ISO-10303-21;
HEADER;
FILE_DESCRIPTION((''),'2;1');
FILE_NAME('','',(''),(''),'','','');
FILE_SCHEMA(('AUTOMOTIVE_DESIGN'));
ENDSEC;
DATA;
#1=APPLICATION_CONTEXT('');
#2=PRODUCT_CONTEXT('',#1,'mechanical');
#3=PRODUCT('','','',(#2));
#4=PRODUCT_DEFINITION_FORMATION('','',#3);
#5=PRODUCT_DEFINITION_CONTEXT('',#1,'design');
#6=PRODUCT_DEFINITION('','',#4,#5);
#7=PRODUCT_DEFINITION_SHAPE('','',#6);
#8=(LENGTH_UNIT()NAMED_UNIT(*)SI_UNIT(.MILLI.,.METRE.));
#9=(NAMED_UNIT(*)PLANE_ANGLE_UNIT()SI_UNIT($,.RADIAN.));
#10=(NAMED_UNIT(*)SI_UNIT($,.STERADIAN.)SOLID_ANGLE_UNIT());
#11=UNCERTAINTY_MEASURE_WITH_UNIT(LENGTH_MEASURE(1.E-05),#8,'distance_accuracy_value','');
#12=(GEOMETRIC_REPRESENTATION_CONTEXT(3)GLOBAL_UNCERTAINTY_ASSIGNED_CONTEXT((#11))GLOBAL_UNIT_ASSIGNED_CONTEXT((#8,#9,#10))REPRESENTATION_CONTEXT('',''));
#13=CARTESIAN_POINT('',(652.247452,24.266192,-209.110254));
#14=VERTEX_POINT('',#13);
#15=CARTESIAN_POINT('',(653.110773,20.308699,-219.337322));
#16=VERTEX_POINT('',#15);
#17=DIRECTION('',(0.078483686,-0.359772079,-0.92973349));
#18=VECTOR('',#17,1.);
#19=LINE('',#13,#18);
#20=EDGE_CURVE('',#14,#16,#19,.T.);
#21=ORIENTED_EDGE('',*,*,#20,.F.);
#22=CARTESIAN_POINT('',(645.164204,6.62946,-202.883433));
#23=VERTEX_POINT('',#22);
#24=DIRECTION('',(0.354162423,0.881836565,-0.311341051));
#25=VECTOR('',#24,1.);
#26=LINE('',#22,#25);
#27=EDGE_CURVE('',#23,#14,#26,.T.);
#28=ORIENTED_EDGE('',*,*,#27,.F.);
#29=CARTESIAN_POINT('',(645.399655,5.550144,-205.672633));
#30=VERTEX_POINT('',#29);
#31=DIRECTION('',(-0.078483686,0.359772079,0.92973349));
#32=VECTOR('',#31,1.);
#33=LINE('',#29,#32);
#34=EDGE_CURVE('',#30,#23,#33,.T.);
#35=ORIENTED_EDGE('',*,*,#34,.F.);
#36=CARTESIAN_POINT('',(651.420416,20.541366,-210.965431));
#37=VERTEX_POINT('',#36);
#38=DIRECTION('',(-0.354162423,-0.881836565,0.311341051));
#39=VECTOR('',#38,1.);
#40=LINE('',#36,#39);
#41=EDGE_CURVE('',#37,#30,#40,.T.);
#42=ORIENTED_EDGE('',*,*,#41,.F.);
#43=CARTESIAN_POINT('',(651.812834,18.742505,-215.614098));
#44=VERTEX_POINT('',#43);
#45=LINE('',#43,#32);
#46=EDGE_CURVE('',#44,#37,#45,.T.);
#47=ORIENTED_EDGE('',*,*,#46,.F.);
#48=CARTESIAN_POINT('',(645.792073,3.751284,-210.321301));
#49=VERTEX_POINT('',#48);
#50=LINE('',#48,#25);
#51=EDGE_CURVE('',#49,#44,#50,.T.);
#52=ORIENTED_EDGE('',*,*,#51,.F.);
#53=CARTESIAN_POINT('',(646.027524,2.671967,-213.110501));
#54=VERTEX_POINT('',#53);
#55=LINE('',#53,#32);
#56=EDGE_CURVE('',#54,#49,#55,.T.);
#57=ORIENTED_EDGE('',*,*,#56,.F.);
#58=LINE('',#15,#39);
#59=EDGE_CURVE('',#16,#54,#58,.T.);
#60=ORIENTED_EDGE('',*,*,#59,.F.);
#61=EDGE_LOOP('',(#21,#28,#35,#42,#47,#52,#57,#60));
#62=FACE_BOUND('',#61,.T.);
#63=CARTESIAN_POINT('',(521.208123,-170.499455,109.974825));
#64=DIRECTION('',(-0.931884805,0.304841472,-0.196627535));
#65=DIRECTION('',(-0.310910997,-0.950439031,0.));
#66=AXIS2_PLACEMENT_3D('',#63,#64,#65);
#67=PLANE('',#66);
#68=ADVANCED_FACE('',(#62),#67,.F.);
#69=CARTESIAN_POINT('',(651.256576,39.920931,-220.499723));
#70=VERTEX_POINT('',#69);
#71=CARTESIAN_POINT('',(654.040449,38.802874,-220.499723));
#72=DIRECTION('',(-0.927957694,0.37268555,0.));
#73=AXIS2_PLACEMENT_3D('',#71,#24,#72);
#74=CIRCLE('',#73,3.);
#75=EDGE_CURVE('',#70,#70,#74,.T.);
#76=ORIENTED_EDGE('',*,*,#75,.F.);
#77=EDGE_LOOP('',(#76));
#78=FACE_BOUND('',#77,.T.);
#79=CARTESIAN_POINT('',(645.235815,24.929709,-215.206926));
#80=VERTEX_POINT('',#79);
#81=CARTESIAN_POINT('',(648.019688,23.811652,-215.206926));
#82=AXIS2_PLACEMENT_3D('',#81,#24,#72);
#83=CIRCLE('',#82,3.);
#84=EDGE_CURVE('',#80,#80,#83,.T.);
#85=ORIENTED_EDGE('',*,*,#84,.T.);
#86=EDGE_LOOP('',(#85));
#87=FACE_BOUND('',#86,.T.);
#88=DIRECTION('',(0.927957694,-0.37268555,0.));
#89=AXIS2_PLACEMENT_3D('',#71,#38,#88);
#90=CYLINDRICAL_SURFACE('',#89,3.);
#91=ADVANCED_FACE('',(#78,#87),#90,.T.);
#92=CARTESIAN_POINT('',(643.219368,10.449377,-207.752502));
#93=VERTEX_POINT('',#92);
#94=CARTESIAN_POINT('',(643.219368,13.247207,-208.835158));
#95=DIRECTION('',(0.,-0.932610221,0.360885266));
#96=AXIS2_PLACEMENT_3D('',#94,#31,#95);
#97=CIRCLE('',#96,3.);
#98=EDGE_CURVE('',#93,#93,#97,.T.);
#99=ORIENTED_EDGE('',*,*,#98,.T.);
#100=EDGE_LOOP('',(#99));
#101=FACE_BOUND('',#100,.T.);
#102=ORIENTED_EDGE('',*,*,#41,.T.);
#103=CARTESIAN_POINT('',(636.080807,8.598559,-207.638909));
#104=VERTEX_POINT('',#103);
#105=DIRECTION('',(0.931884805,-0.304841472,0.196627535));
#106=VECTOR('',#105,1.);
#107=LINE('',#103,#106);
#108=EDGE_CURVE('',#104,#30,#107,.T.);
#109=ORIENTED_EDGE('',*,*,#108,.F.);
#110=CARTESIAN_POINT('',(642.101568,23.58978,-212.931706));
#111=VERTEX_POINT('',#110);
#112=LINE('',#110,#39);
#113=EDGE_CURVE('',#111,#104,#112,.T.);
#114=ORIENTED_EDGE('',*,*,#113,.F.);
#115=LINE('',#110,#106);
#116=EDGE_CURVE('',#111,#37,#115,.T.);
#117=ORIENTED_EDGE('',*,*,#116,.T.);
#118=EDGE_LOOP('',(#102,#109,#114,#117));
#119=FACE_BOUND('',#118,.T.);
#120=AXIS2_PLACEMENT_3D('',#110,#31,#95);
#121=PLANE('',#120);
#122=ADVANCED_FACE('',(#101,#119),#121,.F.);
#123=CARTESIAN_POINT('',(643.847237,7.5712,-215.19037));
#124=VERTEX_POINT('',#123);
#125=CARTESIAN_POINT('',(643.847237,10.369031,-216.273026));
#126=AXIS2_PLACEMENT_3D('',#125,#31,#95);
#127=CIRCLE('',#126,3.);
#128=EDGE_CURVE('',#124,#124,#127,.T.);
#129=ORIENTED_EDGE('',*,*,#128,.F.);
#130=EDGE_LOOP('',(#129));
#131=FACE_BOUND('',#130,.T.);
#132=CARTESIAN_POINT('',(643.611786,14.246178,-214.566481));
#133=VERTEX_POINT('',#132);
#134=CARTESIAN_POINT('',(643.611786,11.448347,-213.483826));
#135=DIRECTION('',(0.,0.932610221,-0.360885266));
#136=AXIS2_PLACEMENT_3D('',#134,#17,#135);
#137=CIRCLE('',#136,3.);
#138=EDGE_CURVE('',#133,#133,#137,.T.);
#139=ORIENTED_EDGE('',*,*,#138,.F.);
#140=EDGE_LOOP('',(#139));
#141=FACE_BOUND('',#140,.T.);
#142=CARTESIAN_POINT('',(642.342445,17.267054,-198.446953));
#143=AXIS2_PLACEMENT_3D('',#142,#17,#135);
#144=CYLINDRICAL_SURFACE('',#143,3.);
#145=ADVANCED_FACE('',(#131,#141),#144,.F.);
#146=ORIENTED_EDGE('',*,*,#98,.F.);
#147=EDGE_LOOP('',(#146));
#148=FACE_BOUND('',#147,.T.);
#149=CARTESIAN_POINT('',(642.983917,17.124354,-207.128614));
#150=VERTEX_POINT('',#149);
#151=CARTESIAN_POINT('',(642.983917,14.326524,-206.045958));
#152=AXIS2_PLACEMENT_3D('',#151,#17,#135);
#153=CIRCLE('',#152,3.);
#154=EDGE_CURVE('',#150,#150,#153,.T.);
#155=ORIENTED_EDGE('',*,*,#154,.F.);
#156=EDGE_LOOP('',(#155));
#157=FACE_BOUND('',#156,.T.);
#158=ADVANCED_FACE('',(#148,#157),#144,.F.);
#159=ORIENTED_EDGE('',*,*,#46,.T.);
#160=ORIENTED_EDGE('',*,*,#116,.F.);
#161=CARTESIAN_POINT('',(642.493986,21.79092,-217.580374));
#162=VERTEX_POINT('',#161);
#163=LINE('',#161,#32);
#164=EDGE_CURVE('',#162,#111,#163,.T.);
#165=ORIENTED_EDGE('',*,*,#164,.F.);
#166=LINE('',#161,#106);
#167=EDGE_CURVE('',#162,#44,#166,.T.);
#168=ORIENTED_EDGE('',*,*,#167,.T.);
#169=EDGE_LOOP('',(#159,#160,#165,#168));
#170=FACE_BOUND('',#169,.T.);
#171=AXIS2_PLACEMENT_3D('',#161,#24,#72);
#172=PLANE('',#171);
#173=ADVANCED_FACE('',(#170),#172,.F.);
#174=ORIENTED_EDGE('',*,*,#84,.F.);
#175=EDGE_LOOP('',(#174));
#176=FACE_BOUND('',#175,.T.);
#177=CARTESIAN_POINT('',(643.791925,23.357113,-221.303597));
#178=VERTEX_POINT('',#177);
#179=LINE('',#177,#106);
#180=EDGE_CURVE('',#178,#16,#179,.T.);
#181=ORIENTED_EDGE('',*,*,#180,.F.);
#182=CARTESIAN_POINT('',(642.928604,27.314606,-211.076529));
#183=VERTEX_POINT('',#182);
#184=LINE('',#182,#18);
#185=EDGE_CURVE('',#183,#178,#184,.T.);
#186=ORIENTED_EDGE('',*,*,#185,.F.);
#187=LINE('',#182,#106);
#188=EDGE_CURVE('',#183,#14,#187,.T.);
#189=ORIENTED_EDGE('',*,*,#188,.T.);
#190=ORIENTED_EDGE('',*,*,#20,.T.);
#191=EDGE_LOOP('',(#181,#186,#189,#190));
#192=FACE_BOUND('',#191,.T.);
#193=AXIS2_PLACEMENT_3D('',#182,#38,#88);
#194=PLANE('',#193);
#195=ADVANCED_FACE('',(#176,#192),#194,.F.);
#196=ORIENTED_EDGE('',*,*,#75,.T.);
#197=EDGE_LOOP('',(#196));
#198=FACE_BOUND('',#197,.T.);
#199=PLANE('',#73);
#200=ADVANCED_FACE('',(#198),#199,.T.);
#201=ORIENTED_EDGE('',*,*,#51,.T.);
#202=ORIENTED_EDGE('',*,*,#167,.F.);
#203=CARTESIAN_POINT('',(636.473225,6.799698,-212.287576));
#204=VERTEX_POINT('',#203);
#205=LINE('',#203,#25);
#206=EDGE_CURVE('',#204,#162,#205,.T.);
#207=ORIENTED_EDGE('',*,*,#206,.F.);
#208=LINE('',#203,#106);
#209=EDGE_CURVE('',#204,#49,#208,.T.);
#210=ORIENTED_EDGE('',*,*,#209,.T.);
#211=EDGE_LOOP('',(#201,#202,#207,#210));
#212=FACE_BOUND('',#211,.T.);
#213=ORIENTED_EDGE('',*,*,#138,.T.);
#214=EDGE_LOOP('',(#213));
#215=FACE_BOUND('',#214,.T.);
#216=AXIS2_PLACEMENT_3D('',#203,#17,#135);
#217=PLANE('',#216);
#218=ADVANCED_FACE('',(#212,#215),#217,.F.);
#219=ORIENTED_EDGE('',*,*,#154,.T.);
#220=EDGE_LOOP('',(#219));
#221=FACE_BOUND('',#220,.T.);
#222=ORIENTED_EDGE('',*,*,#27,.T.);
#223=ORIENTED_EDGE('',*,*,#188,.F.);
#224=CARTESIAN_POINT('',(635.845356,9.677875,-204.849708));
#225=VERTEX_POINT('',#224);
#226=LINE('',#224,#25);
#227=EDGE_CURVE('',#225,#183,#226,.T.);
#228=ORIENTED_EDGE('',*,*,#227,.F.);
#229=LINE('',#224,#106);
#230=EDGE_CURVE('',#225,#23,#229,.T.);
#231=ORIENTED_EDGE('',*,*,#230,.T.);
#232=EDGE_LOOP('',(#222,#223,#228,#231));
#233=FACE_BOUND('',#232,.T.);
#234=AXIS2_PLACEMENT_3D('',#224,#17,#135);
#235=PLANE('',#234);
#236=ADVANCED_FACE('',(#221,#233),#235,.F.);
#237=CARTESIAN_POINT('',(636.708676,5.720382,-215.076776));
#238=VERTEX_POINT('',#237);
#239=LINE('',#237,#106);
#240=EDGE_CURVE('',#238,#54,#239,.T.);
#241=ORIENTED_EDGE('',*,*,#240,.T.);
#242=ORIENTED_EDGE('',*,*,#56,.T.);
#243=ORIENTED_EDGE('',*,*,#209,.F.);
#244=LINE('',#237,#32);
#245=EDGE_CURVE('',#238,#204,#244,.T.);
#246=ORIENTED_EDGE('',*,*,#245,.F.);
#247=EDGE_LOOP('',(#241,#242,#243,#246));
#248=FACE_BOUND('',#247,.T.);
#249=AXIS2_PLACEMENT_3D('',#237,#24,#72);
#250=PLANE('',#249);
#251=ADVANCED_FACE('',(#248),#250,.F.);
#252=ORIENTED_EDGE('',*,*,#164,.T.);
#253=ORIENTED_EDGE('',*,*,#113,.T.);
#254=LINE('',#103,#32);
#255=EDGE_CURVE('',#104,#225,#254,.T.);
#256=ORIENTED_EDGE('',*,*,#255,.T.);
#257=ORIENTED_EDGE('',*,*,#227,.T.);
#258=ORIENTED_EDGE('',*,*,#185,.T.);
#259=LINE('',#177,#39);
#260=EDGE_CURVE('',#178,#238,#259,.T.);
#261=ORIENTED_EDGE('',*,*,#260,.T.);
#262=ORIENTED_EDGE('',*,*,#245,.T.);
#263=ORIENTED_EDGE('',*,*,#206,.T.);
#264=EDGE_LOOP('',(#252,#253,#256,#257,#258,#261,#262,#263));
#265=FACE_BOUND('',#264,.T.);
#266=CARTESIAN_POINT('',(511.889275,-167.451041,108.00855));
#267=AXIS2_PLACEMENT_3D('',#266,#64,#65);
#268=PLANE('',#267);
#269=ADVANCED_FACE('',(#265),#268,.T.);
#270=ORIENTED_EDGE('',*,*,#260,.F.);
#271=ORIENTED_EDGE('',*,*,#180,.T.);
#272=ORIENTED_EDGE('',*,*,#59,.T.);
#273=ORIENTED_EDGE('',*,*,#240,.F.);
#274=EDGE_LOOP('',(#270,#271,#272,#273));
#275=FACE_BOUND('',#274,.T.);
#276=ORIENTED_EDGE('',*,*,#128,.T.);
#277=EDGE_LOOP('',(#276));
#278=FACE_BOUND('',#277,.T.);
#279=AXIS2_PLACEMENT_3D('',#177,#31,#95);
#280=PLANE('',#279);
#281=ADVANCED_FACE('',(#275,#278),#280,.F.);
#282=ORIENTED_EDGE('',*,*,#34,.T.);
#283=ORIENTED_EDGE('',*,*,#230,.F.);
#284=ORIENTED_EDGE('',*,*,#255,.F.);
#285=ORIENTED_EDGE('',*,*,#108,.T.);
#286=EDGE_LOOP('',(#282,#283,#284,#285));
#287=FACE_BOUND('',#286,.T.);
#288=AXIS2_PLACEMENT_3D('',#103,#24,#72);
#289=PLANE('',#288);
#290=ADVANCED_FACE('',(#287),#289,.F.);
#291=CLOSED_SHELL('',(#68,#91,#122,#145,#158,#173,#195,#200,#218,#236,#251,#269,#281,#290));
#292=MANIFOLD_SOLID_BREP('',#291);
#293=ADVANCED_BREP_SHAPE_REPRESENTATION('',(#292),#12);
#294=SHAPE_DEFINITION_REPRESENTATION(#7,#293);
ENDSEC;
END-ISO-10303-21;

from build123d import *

# Parameters (mm, degrees)
BOSS_EXTRUDE1_DEPTH     = 10
SKETCH3_R               = 3
CUT_EXTRUDE1_DEPTH      = 17.173315528
CUT_EXTRUDE1_DEPTH_BACK = 12.173315528
SKETCH4_R               = 3
BOSS_EXTRUDE2_DEPTH     = 17


with BuildPart() as part:
    # Sketch2 → Boss-Extrude1 (new body)
    with BuildSketch(Plane(origin=(707.562217201, 137.847000427, -295.175758868), x_dir=(0.354162423, 0.881836565, -0.311341051), z_dir=(-0.931884805, 0.304841472, -0.196627535))):
        Polygon((-166.545846492, -35.496085413), (-149.545846492, -35.496085413), (-149.545846492, -40.496085413), (-166.545846492, -40.496085413), (-166.545846492, -43.496085413), (-146.545846492, -43.496085413), (-146.545846492, -32.496085413), (-166.545846492, -32.496085413), align=None)
    extrude(amount=BOSS_EXTRUDE1_DEPTH)

    # Sketch3 → Cut-Extrude1 (cut, two sides)
    with BuildSketch(Plane(origin=(18.826454002, -86.301151934, -223.021951761), x_dir=(-0.996915398, -0.028323606, -0.073194688), z_dir=(0.078483686, -0.359772079, -0.92973349))) as cut_extrude1_sk:
        with Locations((-626.324876441, 87.720012572)):
            Circle(SKETCH3_R)
    extrude(amount=CUT_EXTRUDE1_DEPTH, mode=Mode.SUBTRACT)
    extrude(cut_extrude1_sk.sketch, amount=-CUT_EXTRUDE1_DEPTH_BACK, mode=Mode.SUBTRACT)

    # Sketch4 → Boss-Extrude2 (add)
    with BuildSketch(Plane(origin=(112.448325625, 279.987482676, -98.852327665), x_dir=(0.935183927, -0.333959305, 0.117907609), z_dir=(0.354162423, 0.881836565, -0.311341051))):
        with Locations((572.690940182, 195.003128109)):
            Circle(SKETCH4_R)
    extrude(amount=BOSS_EXTRUDE2_DEPTH)


solid = part.part
